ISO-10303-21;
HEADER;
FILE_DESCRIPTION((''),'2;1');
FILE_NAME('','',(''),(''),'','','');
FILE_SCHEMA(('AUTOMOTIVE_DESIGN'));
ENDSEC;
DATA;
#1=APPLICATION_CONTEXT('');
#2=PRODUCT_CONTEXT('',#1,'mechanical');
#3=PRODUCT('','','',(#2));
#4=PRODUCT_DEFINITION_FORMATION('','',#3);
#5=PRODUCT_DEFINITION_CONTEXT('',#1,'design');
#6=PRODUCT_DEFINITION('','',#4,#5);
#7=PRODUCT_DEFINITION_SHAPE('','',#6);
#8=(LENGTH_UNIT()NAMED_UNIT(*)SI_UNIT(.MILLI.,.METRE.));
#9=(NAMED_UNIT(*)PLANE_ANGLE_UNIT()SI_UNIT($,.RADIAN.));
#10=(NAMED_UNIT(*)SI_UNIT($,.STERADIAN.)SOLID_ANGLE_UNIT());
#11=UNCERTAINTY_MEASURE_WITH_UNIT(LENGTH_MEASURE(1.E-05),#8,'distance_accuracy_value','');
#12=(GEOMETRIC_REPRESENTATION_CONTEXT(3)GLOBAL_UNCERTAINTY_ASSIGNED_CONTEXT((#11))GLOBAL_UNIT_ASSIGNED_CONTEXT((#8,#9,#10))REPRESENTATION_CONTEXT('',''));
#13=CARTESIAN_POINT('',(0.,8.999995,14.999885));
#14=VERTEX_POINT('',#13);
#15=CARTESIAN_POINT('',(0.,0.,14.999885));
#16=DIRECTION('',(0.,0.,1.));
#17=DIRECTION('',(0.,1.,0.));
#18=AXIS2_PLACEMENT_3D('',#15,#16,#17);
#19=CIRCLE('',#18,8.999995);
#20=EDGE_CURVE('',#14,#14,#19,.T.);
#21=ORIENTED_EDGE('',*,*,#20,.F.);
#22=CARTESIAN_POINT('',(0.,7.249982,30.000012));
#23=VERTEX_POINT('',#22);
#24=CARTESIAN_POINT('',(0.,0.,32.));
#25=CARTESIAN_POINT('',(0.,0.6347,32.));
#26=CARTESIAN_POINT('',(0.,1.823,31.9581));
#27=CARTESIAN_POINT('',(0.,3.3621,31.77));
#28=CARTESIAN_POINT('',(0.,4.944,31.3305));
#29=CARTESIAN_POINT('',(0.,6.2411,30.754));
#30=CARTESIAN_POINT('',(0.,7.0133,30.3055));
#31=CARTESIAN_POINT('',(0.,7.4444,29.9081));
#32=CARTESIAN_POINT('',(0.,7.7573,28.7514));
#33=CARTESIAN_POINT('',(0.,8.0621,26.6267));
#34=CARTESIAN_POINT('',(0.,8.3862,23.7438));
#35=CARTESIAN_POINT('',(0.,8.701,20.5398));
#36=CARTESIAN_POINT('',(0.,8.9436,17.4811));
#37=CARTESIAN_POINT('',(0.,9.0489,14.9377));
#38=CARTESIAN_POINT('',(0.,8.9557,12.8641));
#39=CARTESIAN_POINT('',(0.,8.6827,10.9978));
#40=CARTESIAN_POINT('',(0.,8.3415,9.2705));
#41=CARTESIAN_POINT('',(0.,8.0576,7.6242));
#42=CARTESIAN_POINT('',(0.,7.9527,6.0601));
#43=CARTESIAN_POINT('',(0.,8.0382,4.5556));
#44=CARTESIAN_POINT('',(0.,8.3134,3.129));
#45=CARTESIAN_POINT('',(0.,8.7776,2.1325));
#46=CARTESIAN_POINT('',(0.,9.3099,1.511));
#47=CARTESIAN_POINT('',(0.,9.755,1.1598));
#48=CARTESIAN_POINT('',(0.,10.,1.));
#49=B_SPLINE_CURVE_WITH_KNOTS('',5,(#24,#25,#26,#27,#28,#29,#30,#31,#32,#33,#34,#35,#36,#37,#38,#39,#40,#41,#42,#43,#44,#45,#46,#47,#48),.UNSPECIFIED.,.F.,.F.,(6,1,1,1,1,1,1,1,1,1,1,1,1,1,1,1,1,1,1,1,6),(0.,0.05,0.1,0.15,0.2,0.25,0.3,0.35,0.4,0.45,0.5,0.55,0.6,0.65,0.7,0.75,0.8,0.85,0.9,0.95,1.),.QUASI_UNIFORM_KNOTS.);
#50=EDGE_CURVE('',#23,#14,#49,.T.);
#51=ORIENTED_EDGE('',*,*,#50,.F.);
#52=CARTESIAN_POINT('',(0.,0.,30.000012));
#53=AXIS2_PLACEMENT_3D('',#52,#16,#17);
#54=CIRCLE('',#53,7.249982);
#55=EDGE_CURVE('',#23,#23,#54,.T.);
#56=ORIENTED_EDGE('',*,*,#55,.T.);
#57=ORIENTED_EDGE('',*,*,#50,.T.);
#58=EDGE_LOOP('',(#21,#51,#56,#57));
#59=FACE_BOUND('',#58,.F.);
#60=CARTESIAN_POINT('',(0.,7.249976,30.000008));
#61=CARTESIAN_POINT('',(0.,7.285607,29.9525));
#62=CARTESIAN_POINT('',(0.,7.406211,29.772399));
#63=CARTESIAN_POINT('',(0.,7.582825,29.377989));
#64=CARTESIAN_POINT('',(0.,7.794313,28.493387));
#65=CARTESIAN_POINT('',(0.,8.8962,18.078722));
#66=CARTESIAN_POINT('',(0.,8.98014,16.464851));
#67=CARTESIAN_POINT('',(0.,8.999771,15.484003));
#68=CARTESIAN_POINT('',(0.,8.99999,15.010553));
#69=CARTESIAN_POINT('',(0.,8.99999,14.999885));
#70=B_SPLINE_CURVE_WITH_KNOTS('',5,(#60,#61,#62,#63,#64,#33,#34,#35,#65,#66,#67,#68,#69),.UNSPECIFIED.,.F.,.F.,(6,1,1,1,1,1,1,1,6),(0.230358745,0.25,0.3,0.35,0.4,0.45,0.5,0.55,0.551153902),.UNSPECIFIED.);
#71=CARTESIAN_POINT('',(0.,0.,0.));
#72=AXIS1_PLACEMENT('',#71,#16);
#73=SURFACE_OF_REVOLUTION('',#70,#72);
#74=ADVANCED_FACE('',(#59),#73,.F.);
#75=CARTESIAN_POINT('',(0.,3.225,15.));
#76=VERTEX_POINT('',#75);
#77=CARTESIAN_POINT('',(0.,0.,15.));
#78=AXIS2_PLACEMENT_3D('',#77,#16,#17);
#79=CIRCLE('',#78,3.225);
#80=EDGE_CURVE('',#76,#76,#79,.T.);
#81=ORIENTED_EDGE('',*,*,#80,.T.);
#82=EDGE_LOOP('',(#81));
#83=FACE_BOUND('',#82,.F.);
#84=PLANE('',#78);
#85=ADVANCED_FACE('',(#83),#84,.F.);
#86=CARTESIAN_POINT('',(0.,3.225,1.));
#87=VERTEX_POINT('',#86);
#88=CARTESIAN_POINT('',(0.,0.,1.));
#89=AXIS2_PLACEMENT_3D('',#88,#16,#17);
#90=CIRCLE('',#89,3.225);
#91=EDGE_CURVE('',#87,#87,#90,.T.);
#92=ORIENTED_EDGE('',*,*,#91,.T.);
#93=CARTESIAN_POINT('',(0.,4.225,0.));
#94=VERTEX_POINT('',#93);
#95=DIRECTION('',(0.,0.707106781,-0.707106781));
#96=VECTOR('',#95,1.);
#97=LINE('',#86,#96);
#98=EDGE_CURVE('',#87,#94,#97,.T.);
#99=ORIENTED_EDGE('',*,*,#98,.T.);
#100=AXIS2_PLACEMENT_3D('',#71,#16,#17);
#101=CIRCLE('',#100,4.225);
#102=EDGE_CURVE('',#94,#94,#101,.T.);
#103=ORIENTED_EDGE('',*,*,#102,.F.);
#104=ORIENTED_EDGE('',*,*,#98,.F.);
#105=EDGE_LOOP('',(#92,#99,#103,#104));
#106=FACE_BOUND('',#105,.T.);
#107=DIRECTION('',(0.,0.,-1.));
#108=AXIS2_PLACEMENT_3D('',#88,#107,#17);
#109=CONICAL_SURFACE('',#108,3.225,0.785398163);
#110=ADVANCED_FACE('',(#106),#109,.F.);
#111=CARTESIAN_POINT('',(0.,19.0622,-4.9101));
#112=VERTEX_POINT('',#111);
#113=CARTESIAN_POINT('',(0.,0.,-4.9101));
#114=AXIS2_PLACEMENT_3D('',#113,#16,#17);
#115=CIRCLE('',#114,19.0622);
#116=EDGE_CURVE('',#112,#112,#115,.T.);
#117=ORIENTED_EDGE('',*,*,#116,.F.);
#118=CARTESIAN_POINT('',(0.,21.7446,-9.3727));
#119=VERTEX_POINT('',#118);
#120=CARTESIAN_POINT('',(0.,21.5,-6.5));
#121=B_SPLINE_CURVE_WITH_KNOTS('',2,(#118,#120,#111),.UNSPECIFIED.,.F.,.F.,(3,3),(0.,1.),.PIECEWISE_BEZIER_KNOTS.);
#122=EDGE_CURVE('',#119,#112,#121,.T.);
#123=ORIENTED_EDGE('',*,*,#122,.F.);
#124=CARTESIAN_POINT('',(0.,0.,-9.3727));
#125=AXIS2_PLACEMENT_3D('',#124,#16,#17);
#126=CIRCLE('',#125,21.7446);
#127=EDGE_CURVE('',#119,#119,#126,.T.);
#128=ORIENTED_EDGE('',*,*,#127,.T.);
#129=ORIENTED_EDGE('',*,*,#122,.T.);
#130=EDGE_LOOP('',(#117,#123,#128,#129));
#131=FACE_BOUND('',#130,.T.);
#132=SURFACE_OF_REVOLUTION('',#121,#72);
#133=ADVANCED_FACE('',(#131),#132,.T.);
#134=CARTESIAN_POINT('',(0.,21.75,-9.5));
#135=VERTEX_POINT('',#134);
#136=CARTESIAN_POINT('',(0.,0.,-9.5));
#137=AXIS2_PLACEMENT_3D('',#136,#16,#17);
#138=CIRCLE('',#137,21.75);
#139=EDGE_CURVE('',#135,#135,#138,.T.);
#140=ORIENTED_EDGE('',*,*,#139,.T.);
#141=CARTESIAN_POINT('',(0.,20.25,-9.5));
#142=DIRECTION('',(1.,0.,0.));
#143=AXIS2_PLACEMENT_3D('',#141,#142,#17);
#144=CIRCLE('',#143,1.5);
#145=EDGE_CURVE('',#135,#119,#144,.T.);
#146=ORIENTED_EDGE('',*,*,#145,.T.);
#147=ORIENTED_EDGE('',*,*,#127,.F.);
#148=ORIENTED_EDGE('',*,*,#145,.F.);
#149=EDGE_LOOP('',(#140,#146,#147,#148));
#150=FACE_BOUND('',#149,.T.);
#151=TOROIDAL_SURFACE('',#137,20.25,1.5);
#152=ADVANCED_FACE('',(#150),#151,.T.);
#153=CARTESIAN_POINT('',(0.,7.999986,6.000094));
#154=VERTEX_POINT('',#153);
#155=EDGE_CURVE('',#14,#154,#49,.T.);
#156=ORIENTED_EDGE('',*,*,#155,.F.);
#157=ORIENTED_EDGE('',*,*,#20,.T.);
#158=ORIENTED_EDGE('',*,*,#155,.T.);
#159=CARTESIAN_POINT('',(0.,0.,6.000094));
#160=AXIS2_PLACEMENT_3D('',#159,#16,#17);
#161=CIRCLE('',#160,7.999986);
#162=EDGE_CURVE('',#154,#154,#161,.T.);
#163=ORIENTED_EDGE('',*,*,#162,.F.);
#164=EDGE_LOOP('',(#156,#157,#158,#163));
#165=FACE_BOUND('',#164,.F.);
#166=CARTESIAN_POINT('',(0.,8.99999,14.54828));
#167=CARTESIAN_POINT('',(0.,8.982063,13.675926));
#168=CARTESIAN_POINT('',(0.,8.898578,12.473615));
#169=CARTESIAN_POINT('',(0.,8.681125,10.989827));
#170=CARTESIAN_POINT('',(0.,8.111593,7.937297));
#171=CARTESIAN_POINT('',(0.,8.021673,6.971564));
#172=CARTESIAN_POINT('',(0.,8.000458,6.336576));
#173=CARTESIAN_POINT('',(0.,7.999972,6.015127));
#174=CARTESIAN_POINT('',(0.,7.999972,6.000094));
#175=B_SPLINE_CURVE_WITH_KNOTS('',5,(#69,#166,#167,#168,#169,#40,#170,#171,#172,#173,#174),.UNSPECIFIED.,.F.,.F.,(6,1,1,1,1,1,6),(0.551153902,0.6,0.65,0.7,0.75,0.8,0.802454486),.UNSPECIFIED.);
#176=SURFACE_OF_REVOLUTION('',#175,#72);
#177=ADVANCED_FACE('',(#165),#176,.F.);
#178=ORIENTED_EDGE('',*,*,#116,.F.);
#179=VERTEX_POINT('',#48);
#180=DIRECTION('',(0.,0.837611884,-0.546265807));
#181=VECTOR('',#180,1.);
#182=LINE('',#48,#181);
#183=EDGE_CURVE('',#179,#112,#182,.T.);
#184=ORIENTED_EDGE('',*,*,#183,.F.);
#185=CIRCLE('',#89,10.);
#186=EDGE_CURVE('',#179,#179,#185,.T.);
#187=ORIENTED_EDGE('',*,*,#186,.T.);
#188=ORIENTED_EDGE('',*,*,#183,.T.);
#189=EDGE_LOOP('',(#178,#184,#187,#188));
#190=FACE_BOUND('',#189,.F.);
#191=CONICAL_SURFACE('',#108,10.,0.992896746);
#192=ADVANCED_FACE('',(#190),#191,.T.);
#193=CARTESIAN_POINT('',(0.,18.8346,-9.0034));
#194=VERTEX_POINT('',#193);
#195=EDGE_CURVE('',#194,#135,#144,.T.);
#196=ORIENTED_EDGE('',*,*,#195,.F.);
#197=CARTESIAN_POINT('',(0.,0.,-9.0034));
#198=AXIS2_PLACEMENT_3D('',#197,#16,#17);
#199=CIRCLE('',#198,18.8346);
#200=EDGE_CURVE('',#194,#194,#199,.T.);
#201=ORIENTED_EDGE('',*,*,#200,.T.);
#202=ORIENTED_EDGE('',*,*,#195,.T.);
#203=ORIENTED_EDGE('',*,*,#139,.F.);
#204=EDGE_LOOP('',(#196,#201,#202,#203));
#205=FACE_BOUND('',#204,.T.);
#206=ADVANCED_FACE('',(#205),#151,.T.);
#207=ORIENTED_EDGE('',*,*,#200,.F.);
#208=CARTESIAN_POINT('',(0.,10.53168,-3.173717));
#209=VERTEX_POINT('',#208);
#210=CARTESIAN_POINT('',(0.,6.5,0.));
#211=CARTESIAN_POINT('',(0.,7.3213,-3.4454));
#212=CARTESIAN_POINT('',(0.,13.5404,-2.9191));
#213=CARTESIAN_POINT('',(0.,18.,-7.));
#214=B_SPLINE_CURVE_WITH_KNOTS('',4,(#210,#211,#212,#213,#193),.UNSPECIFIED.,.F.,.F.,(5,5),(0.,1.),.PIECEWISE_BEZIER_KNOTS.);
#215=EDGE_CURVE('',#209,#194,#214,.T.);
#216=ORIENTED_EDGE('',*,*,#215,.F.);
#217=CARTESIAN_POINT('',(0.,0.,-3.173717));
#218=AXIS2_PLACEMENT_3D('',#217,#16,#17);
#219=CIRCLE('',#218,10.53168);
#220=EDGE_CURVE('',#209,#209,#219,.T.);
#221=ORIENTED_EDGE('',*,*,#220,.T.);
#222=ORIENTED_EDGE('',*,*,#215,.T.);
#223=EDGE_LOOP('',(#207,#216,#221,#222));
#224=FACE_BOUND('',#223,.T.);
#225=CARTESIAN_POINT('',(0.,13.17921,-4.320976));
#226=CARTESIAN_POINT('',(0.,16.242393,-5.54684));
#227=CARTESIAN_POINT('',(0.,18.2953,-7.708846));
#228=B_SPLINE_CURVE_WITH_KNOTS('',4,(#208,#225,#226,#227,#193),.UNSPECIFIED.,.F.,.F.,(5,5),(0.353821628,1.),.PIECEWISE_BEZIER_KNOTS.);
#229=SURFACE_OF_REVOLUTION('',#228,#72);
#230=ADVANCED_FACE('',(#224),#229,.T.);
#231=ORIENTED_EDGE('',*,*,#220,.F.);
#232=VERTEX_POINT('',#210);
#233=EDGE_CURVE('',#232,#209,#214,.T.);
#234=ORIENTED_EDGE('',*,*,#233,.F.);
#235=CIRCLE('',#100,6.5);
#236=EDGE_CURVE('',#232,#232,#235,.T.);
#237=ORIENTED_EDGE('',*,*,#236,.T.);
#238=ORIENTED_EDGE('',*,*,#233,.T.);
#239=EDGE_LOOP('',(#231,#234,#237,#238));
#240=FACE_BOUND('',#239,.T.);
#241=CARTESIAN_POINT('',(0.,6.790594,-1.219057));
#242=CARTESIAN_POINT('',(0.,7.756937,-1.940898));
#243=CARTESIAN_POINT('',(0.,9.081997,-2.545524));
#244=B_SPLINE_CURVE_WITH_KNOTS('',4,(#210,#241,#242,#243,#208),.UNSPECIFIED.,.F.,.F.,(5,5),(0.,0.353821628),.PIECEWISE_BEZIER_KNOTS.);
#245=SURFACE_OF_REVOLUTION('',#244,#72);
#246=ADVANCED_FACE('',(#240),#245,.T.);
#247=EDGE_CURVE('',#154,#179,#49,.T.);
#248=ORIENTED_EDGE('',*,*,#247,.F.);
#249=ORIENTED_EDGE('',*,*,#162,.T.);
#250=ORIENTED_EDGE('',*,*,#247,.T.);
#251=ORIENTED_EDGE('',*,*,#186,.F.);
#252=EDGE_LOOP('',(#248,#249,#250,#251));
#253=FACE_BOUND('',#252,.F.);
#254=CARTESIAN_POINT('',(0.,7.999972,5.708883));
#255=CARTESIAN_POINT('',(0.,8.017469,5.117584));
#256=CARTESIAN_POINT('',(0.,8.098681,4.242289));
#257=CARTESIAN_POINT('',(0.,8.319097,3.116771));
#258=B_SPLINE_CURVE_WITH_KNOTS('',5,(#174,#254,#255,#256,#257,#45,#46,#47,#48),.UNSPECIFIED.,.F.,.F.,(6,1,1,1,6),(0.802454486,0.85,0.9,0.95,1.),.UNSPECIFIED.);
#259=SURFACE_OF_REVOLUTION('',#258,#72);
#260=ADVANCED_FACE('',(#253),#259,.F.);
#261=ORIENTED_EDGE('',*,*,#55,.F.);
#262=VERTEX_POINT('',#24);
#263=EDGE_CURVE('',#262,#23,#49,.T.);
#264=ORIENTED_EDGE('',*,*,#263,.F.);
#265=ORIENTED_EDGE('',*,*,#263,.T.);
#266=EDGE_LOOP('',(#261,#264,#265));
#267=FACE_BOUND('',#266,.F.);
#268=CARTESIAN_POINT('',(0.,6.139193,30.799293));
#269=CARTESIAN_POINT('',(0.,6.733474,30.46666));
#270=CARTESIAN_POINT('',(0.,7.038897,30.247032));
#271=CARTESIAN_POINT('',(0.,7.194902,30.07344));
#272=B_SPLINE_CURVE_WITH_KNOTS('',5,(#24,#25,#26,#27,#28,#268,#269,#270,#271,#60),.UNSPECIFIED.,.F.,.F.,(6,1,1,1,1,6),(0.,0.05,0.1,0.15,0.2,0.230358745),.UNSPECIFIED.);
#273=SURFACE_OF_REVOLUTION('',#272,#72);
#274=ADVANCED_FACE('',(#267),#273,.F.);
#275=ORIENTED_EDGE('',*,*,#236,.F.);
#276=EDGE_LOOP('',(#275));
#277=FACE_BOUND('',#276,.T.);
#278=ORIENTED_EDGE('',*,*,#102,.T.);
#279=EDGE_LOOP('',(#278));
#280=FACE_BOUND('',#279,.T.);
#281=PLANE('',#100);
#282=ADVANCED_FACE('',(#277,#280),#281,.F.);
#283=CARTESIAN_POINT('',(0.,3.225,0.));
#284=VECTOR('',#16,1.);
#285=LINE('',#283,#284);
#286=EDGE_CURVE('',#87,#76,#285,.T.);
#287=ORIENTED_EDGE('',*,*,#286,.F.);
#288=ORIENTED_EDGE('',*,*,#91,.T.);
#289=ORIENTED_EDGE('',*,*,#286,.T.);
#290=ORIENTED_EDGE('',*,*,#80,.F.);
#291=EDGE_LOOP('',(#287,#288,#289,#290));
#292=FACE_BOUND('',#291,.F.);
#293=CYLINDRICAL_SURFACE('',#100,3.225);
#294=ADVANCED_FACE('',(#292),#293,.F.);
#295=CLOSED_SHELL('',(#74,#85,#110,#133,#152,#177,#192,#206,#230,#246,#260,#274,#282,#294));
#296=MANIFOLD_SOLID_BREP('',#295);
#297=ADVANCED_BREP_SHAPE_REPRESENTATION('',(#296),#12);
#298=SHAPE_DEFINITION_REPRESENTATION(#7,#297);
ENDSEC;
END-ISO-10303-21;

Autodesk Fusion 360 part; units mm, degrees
sketch "Schizzo1" plane through (0, 0, 0) normal (1, 0, 0) x (0, 1, 0)
  line L0 (3.225, 0) -> (3.225, 15)
  line L1 (3.225, 15) -> (0, 15)
  line L2 (0, 0) -> (0, 15) construction
  line L3 (0, 0) -> (3.225, 0) construction
  line L4 (3.225, 0) -> (6.5, 0)
  circle A0 centre (20.25, -9.5) radius 1.5
  line L5 (20.25, -11) -> (20.25, -9.5) construction
  line L6 (20.25, -9.5) -> (21.75, -9.5) construction
  line L7 (6.5, 0) -> (7.3213, -3.4454)
  line L8 (7.3213, -3.4454) -> (13.5404, -2.9191)
  line L9 (13.5404, -2.9191) -> (18, -7)
  line L10 (18, -7) -> (18.8346, -9.0034)
  spline S0 degree 4 poles (6.5, 0) (7.3213, -3.4454) (13.5404, -2.9191) (18, -7) (18.8346, -9.0034) knots 0 0 0 0 0 1 1 1 1 1
  line L11 (10, 1) -> (19.0622, -4.9101)
  line L12 (21.7446, -9.3727) -> (21.5, -6.5)
  line L13 (21.5, -6.5) -> (19.0622, -4.9101)
  spline S1 degree 2 poles (21.7446, -9.3727) (21.5, -6.5) (19.0622, -4.9101) knots 0 0 0 1 1 1
  line L14 (0, 15) -> (0, 32)
  line L15 (0, 30) -> (7.25, 30) construction
  line L16 (0, 15) -> (9, 15) construction
  line L17 (0, 6) -> (8, 6) construction
  spline S2 degree 5 poles (0, 32) (0.6347, 32) (1.823, 31.9581) (3.3621, 31.77) (4.944, 31.3305) (6.2411, 30.754) (7.0133, 30.3055) (7.4444, 29.9081) (7.7573, 28.7514) (8.0621, 26.6267) (8.3862, 23.7438) (8.701, 20.5398) (8.9436, 17.4811) (9.0489, 14.9377) (8.9557, 12.8641) (8.6827, 10.9978) (8.3415, 9.2705) (8.0576, 7.6242) (7.9527, 6.0601) (8.0382, 4.5556) (8.3134, 3.129) (8.7776, 2.1325) (9.3099, 1.511) (9.755, 1.1598) (10, 1) knots 0 0 0 0 0 0 0.05 0.1 0.15 0.2 0.25 0.3 0.35 0.4 0.45 0.5 0.55 0.6 0.65 0.7 0.75 0.8 0.85 0.9 0.95 1 1 1 1 1 1
  line L18 (-7, 32) -> (7, 32)
  line L19 (6.5, 31) -> (8, 29)
  line L20 (9, 19) -> (9, 11)
  line L21 (8, 9.4368) -> (8, 2.5632)
  point P0 (20.25, -11)
  dimension "d1" = 3.225
  dimension "d2" = 15
  dimension "d3" = 6.5
  dimension "d5" = 11
  dimension "d6" = 3
  dimension "d7" = 21.75
  dimension "d8" = 10
  dimension "d9" = 1
  dimension "d10" = 31
  dimension "d11" = 7.25
  dimension "d12" = 2
  dimension "d13" = 9
  dimension "d14" = 14
  dimension "d15" = 8
  dimension "d16" = 5
revolve "Rivoluzione1" add sketch "Schizzo1" angle 360 about axis through (0, 0, 0) along (0, 0, 1) contours L0 L1 L4 A0 L8 L9 L10 S0 L11 S1 L14 S2 | L8 L9 L10 S0 | A0
chamfer "Smusso1" distance 1 angle 45 1 edges at (-3.0068, 1.1662, 0)
equation "d1 = ( larghezza_incastro_joystick / 2 )"
equation "d3 = ( 13 / 2 ) * 1 mm"
equation "d7 = ( 43.5 / 2 ) * 1 mm"
equation "d8 = ( 20 / 2 ) * 1 mm"
equation "d11 = ( 14.5 / 2 ) * 1 mm"
equation "d13 = ( 18 / 2 ) * 1 mm"
equation "d15 = ( 16 / 2 ) * 1 mm"
equation "larghezza_incastro_joystick = 6.45 mm" comment "Modificare questo valore per allargare o diminuire il foro dell'incastro del Joystick. (Valore di default 6.45 mm)"
